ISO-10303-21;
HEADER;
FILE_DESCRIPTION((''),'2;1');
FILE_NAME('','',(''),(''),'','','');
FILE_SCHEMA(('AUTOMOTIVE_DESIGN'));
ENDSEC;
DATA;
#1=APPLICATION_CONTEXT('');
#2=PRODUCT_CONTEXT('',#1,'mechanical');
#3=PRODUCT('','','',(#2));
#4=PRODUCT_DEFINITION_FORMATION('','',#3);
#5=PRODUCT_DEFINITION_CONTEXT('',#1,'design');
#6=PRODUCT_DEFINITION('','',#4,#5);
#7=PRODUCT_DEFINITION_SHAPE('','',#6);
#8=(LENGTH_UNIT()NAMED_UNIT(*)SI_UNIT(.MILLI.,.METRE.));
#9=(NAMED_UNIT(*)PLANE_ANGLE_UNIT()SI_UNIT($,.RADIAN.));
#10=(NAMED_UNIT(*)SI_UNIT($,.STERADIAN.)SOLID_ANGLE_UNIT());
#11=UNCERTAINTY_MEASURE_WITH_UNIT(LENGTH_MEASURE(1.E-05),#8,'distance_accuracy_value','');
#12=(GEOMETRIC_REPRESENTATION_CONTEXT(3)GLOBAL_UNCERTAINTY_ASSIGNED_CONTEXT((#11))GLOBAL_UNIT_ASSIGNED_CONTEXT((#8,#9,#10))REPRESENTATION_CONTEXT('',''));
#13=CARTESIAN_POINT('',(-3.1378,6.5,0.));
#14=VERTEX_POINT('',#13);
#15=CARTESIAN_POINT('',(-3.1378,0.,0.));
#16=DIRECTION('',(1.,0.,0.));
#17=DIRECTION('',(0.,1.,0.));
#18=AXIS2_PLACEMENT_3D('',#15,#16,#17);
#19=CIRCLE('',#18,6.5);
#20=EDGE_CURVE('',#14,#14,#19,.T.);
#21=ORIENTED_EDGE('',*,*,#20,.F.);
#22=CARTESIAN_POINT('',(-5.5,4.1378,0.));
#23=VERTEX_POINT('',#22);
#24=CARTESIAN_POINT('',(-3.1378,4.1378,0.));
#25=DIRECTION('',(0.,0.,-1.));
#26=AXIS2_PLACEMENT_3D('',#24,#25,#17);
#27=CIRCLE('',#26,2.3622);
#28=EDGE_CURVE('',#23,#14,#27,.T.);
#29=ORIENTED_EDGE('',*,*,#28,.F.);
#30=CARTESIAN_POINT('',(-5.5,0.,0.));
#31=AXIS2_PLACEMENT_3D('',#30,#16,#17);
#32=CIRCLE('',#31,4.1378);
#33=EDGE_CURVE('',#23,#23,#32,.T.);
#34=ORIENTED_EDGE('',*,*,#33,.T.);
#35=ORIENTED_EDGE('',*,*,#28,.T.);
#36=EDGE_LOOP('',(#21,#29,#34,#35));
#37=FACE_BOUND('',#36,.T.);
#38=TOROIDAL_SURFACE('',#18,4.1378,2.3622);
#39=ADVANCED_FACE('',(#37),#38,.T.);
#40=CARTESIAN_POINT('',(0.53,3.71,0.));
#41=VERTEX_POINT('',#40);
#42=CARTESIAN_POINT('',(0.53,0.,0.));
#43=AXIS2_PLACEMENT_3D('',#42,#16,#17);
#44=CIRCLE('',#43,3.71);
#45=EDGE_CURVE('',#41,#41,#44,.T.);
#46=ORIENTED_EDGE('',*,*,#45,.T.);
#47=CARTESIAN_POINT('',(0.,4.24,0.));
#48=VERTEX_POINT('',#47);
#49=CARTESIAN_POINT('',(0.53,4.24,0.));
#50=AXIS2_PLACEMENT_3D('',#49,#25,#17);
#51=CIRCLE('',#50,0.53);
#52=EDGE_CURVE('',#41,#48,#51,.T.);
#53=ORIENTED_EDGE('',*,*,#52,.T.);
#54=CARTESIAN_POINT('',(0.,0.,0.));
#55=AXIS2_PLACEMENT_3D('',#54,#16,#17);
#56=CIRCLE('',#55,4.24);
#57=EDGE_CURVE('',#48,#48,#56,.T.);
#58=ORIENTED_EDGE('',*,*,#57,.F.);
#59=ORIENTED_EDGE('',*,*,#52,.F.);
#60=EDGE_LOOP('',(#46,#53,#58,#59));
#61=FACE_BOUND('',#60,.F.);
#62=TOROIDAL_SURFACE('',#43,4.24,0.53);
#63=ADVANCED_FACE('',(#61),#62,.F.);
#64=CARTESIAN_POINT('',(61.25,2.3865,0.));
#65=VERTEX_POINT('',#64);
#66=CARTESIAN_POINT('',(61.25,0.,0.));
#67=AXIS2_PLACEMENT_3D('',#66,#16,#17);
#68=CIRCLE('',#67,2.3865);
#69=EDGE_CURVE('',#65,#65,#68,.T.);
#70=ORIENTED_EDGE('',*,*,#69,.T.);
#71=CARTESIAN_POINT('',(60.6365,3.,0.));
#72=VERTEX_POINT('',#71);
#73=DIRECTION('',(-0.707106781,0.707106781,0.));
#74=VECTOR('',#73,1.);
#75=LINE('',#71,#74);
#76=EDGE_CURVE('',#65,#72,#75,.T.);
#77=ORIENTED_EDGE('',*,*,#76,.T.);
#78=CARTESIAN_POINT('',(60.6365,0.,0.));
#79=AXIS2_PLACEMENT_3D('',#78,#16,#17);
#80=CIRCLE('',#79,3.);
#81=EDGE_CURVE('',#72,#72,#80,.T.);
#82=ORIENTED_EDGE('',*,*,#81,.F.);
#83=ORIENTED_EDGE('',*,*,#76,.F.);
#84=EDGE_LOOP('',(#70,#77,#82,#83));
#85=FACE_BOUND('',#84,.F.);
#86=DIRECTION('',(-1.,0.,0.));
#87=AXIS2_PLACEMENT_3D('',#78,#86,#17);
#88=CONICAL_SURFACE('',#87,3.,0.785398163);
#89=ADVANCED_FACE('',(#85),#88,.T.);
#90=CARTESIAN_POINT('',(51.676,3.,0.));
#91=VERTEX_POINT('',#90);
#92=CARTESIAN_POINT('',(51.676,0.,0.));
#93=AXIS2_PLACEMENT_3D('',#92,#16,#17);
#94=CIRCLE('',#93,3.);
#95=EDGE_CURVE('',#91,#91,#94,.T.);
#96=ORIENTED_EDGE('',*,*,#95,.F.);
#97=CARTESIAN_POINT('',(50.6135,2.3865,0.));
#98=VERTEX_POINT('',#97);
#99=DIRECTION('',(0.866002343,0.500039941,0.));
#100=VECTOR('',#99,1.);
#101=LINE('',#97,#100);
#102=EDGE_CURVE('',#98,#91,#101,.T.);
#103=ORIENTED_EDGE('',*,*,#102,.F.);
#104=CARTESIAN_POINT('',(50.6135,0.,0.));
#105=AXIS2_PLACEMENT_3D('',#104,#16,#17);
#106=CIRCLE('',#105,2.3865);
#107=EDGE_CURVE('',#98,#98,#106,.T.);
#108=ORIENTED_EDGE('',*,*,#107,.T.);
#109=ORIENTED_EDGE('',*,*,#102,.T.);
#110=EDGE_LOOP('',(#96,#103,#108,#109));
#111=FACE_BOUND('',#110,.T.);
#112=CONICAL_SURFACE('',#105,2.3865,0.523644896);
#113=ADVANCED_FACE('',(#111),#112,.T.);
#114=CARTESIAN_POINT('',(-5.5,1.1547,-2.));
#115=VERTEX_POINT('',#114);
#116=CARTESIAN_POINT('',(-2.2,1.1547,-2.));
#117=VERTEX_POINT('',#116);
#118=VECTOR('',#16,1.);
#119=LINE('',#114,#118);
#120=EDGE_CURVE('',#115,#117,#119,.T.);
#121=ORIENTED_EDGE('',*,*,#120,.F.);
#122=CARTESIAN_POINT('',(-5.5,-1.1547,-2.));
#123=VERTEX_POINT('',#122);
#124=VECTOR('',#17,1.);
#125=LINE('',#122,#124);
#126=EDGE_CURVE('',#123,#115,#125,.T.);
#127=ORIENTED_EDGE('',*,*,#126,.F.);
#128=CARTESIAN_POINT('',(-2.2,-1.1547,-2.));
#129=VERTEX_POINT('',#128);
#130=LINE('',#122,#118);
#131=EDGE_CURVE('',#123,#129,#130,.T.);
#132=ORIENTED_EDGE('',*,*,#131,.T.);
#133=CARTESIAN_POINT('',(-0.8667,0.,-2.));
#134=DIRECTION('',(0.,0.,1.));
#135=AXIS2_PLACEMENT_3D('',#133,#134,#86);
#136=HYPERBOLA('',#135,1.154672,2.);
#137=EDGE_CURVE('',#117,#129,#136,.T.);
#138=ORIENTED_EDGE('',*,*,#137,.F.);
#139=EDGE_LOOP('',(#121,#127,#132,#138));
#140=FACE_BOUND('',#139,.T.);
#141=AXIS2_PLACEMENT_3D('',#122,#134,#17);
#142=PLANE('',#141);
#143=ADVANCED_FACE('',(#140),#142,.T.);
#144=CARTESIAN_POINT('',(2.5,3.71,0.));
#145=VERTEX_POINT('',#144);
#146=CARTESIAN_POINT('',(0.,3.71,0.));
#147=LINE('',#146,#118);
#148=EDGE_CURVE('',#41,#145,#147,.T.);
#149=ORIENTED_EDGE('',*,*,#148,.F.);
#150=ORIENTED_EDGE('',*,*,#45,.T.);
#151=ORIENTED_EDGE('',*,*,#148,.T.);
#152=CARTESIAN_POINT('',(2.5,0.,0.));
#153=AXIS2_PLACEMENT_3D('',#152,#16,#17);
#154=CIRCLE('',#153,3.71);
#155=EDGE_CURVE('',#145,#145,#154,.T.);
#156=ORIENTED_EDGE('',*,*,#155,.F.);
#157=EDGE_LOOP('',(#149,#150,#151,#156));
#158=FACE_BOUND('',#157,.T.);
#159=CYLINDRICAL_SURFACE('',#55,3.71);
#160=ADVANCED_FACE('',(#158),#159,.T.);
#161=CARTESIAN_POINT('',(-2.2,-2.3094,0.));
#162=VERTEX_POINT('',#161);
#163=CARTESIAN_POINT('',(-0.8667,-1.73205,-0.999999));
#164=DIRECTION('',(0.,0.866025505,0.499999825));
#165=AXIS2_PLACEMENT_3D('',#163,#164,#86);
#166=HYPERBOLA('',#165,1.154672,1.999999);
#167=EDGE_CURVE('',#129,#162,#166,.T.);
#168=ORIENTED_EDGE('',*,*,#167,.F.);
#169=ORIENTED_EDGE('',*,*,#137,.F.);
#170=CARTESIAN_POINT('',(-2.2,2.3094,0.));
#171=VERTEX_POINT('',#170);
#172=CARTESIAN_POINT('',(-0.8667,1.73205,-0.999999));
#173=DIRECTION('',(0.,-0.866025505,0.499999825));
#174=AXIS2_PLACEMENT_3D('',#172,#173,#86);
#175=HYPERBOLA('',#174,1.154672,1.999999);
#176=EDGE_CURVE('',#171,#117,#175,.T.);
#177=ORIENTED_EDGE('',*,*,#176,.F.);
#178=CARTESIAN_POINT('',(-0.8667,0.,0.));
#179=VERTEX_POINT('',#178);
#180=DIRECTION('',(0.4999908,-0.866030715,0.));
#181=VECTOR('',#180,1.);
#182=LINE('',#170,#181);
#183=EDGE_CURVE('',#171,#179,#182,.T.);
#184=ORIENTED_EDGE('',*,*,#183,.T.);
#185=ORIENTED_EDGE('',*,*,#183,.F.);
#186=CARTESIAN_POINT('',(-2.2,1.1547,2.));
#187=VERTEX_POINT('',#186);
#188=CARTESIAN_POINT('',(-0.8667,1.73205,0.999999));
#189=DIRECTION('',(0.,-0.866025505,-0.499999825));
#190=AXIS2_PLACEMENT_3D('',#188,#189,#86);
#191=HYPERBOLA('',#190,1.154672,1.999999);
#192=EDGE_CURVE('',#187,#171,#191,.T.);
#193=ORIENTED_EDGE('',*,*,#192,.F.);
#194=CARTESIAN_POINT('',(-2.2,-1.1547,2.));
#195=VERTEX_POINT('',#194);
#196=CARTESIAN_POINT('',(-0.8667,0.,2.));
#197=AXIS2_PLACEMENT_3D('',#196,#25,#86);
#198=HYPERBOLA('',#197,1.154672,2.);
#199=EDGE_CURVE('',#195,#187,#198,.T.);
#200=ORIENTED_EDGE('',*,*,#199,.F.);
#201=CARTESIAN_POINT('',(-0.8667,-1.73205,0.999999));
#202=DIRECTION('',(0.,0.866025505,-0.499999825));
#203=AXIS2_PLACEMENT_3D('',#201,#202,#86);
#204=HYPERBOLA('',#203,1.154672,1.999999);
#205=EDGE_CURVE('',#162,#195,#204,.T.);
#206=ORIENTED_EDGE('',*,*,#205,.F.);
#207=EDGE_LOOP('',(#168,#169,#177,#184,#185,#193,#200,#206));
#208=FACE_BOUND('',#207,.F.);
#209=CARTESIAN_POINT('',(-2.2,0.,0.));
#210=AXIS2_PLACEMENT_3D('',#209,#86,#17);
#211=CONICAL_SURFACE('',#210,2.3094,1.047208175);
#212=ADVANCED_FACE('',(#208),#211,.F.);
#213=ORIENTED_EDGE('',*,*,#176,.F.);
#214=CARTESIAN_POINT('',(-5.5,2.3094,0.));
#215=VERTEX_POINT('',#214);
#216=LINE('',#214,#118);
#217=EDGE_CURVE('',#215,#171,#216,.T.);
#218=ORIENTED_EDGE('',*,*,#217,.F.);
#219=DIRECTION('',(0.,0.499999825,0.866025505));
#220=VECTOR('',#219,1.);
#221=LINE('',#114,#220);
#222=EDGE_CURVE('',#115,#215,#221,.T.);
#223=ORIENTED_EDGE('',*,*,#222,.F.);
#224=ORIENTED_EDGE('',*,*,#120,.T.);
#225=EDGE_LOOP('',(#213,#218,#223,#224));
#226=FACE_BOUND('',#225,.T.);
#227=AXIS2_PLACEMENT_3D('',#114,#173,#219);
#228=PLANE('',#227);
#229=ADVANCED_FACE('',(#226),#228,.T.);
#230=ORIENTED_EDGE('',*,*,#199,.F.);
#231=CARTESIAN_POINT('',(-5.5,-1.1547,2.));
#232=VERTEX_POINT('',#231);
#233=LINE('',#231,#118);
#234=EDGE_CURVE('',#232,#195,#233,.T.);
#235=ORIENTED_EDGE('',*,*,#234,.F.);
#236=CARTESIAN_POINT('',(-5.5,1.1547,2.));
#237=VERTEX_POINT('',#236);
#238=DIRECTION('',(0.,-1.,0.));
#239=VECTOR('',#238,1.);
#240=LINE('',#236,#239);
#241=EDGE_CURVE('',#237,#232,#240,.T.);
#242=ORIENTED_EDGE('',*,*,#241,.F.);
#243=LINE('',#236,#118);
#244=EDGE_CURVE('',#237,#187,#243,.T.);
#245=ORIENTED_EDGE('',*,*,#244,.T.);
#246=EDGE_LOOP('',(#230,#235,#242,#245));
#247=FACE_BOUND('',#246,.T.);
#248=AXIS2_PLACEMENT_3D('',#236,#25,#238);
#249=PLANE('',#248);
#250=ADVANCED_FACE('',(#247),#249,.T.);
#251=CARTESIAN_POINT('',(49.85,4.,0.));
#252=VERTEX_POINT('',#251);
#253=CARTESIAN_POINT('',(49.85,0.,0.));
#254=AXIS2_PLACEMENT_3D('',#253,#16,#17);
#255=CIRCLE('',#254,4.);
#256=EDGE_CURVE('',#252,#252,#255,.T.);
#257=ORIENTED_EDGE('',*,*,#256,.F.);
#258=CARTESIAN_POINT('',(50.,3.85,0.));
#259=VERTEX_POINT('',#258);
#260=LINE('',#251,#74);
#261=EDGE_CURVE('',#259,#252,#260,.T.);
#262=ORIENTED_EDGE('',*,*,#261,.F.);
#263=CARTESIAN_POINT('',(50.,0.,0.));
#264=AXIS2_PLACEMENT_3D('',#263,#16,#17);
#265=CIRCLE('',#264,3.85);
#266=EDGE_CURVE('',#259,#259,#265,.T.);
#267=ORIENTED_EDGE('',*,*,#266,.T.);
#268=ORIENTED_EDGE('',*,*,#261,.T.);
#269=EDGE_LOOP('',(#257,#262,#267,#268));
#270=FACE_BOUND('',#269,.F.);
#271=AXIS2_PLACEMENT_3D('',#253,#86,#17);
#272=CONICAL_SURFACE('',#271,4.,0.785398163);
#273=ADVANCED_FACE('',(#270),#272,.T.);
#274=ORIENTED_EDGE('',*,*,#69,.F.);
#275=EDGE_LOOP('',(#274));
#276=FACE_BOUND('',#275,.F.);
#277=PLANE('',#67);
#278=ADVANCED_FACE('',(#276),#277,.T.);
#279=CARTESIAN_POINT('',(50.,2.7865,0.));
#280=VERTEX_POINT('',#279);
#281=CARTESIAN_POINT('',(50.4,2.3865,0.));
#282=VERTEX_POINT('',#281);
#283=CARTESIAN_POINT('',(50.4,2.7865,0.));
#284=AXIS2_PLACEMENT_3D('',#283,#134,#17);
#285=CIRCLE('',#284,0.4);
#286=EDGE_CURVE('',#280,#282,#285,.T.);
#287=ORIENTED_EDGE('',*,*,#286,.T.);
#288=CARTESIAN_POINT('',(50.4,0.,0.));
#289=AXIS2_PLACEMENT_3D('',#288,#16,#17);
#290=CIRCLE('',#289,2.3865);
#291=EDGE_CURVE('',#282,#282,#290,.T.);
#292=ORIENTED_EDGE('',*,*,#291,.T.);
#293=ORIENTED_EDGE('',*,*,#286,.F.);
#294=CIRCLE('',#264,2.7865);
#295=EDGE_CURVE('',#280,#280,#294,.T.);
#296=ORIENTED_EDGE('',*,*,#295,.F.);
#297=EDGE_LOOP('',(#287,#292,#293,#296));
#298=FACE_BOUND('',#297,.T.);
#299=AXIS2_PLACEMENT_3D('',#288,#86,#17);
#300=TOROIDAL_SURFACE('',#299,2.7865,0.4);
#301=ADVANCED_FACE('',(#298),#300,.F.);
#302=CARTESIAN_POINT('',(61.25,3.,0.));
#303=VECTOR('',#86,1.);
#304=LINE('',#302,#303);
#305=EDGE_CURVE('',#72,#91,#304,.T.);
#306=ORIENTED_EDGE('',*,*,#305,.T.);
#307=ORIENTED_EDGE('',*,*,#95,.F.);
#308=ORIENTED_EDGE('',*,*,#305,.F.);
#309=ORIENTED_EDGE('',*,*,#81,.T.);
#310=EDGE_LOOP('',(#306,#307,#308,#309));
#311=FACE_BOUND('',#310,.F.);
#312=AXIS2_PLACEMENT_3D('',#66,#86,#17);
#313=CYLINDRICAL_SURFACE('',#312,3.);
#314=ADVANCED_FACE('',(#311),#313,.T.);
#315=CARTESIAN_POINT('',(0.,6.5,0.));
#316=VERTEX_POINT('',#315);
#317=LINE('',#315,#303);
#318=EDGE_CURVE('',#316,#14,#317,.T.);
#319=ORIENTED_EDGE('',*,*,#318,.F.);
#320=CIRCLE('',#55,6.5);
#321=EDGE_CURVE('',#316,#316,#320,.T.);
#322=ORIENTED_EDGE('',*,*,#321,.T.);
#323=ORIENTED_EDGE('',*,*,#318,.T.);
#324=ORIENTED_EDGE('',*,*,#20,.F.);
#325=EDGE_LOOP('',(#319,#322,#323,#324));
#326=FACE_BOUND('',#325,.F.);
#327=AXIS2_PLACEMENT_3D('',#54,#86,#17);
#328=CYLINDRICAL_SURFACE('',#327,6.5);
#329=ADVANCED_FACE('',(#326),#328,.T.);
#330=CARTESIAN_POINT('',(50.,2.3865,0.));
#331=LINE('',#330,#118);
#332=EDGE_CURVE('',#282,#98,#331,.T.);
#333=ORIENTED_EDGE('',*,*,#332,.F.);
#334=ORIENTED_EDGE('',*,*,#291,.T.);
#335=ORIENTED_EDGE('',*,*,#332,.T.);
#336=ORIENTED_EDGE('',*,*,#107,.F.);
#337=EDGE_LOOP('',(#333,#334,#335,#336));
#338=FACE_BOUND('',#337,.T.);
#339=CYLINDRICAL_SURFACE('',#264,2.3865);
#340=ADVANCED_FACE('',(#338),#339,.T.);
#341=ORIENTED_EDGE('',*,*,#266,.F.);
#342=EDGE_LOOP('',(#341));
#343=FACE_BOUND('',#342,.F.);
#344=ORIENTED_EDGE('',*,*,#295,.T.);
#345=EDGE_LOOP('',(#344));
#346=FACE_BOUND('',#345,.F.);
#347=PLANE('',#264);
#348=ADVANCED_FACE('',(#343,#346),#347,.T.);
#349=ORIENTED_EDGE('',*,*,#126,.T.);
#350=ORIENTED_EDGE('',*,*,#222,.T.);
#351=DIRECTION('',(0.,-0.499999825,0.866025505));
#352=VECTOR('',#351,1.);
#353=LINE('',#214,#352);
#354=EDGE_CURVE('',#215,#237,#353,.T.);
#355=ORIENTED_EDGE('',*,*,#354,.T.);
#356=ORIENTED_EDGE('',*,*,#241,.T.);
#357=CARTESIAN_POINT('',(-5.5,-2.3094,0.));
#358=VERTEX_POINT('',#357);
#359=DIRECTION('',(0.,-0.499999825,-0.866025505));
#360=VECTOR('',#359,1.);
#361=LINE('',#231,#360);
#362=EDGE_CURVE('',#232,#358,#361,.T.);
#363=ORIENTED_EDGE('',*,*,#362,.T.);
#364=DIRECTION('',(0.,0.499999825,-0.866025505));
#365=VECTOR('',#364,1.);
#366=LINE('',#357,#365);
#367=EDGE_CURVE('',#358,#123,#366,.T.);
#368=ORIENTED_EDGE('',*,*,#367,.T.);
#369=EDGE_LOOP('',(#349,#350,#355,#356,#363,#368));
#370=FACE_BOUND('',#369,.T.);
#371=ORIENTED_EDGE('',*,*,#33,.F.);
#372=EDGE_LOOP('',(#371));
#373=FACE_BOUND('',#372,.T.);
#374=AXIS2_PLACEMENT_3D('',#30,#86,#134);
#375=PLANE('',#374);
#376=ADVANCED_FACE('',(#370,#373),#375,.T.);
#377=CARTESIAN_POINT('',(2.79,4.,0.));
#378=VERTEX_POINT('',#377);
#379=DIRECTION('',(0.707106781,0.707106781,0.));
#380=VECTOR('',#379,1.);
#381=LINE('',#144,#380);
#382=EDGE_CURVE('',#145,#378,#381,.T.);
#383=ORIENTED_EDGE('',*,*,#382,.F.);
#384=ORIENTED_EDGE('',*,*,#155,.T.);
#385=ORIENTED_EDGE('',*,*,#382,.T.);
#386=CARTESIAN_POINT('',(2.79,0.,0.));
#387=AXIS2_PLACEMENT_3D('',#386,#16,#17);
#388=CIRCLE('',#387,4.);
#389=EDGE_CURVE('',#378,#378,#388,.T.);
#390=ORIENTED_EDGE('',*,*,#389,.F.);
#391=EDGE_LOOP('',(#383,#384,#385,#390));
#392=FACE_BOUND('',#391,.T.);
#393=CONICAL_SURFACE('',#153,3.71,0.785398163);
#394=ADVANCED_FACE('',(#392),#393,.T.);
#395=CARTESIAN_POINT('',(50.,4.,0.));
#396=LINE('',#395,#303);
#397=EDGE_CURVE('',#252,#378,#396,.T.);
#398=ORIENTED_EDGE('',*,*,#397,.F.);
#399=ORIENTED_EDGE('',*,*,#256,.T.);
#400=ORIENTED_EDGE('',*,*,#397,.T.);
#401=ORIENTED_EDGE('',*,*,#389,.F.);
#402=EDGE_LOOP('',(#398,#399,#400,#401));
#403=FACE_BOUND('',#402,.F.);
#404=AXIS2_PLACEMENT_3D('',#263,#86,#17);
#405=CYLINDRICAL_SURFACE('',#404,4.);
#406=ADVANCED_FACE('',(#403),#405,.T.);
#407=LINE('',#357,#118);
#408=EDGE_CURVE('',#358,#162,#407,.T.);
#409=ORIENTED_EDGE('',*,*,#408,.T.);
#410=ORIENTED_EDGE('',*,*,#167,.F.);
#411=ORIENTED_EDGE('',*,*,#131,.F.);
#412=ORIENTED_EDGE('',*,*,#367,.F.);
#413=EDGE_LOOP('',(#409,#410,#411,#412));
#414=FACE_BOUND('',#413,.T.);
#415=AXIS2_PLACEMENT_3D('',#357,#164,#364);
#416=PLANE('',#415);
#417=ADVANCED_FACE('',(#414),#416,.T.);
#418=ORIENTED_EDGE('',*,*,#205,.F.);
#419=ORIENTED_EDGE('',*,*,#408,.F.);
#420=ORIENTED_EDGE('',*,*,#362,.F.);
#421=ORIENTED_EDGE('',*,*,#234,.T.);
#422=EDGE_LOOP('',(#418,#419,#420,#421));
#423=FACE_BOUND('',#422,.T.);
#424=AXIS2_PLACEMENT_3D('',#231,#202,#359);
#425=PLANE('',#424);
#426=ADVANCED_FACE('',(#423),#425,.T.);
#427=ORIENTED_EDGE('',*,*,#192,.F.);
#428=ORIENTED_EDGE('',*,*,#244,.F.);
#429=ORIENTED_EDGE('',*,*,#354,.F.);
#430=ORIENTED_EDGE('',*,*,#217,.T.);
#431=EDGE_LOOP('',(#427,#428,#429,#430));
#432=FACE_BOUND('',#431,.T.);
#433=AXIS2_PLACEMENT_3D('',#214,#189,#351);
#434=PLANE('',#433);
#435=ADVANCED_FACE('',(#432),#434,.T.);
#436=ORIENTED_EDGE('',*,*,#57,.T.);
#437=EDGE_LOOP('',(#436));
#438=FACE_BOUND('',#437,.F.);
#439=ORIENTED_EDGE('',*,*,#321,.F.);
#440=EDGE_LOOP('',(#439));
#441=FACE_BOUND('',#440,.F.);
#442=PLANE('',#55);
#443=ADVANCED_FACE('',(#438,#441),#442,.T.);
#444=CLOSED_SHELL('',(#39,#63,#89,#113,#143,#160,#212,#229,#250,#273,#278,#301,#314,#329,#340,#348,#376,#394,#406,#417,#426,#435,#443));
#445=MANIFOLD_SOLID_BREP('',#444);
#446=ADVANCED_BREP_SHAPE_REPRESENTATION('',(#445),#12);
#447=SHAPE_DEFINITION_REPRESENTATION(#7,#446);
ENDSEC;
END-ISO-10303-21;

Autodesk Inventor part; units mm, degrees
ref_plane "YZ Plane" through (0, 0, 0) normal (1, 0, 0) x (0, 1, 0)
ref_plane "XZ Plane" through (0, 0, 0) normal (0, 1, 0) x (-1, 0, 0)
sketch "Sketch1" plane through (0, 0, 0) normal (0, 0, 1) x (1, 0, 0)
  line L0 (-0.8667, 0) -> (61.25, 0)
  line L1 (61.25, 0) -> (61.25, 3)
  line L2 (61.25, 3) -> (50, 3)
  line L3 (50, 3) -> (50, 4)
  line L4 (50, 4) -> (0, 4)
  line L5 (0, 4) -> (0, 6.5)
  line L6 (0, 6.5) -> (-5.5, 6.5)
  line L7 (-5.5, 6.5) -> (-5.5, 2.3094)
  line L8 (-5.5, 2.3094) -> (-2.2, 2.3094)
  line L9 (-2.2, 2.3094) -> (-0.8667, 0)
  line L10 (-18.85, 0) -> (74.6, 0) projected
  line L11 (0, -1.3) -> (0, 7.8) projected
  line L12 (0, 3.71) -> (2.5, 3.71)
  line L13 (2.5, 3.71) -> (2.79, 4)
  line L14 (50, 3) -> (50, 2.3865)
  line L15 (50, 2.3865) -> (50.6135, 2.3865)
  line L16 (50.6135, 2.3865) -> (51.676, 3)
  line L17 (0, 3.71) -> (0, 4)
  dimension "d0" = 6
  dimension "d1" = 8
  dimension "d2" = 13
  dimension "d3" = 4.6188
  dimension "d5" = 11.25
  dimension "d6" = 5.5
  dimension "d7" = 3.3
  dimension "d8" = 60
  dimension "d9" = 61.25
  dimension "d18" = 2.5
  dimension "d19" = 45
  dimension "d20" = 7.42
  dimension "d21" = 4.7731
  dimension "d22" = 30
  dimension "d23" = 0.6135
revolve "Body" add sketch "Sketch1" angle 360 about axis through (-0.8667, 0, 0) along (1, 0, 0)
sketch "Sketch2" plane through (-5.5, 0, 0) normal (-1, 0, 0) x (0, 0, 1)
  circle A0 centre (0, 0) radius 2.3094 projected
  line L0 (0, 2.3094) -> (2, 1.1547)
  line L1 (2, 1.1547) -> (2, -1.1547)
  line L2 (2, -1.1547) -> (0, -2.3094)
  line L3 (0, -2.3094) -> (-2, -1.1547)
  line L4 (-2, -1.1547) -> (-2, 1.1547)
  line L5 (-2, 1.1547) -> (0, 2.3094)
extrude "Slot" add sketch "Sketch2" against normal up to next contours A0 L1 | L0 A0 | A0 L2 | L5 A0 | A0 L3 | L4 A0
fillet "Fillet1" radius 2.3622 1 edges at (-5.5, -6.5, 0)
thread "Thread" size "M6x1" class "6g" standard "ISO Metric profile" full length
chamfer "Chamfer1" distance 0.6135 distance2 0.6135 1 edges at (61.25, -3, 0) measured on face at (61.25, 0.2734, 0.7208)
chamfer "Chamfer2" distance 0.15 angle 45 1 edges at (50, -4, 0)
revolve "Groove1" cut sketch "Sketch1" angle 360 about axis through (-0.8667, 0, 0) along (1, 0, 0) contours L11 L4 L13 L12
revolve "Groove2" cut sketch "Sketch1" angle 360 about axis through (-0.8667, 0, 0) along (1, 0, 0) contours L16 L15 L14 L2
ref_plane "Work Plane1" through (25, 0, 0) normal (0, 0, 1) x (1, 0, 0)
fillet "Fillet2" radius 0.4 1 edges at (50, -2.3865, 0)
fillet "Fillet3" radius 0.53 1 edges at (0, -3.71, 0)
equation "\"d0\" = NND"
equation "\"d1\" = BDM"
equation "\"d2\" = KOD"
equation "\"d3\" = 1.1547 * SW"
equation "\"d5\" = GEL"
equation "\"d6\" = KOH"
equation "\"d7\" = INTI + LOTI"
equation "\"d8\" = 0.5 * ANG"
equation "\"d9\" = NLG"
equation "\"d18\" = GAL2"
equation "\"d19\" = FAWI4"
equation "\"d20\" = BDMM"
equation "\"d21\" = GD1"
equation "\"d22\" = FAWI2"
equation "\"d23\" = GAL"
equation "\"d13\" = RR"
equation "\"d25\" = GEL"
equation "\"d14\" = -0.5 * SPD + 0.5 * NND"
equation "\"d15\" = GUL"
equation "\"d16\" = D1"
equation "\"d35\" = R1"
equation "\"d36\" = R2"
equation "\"NND\" = 6"
equation "\"NLG\" = 61.25"
equation "\"GEL\" = 11.25"
equation "\"KOD\" = 13"
equation "\"KOH\" = 5.5"
equation "\"INTI\" = 3.3"
equation "\"GAL\" = 0.61345 * PTC"
equation "\"GUL\" = 0.61345 * PTC"
equation "\"SPD\" = NND - 1.2269 * PTC"
equation "\"BDM\" = 8"
equation "\"ANG\" = 120deg"
equation "\"FAWI2\" = 30deg"
equation "\"FAWI3\" = 89deg"
equation "\"FAWI4\" = 45deg"
equation "\"RR\" = 2.3622"
equation "\"SW\" = 4"
equation "\"BDMM\" = 7.42"
equation "\"GAL2\" = 2.5"
equation "\"LOTI\" = 0"
equation "\"GD1\" = THREADDIA - 1.2269 * PTC"
equation "\"D1\" = 0.15"
equation "\"R1\" = 0.4"
equation "\"R2\" = 0.53"
equation "\"PTC\" = 1"
equation "\"BOR\" = 4"
equation "\"THREADDIA\" = 6"
equation "\"E0\" = 1.155 * SW"
equation "\"TOA\" = 30deg"
equation "\"PHH\" = 0.55"
properties part number "ISO  7379 - 8 x 50" material "Steel"
